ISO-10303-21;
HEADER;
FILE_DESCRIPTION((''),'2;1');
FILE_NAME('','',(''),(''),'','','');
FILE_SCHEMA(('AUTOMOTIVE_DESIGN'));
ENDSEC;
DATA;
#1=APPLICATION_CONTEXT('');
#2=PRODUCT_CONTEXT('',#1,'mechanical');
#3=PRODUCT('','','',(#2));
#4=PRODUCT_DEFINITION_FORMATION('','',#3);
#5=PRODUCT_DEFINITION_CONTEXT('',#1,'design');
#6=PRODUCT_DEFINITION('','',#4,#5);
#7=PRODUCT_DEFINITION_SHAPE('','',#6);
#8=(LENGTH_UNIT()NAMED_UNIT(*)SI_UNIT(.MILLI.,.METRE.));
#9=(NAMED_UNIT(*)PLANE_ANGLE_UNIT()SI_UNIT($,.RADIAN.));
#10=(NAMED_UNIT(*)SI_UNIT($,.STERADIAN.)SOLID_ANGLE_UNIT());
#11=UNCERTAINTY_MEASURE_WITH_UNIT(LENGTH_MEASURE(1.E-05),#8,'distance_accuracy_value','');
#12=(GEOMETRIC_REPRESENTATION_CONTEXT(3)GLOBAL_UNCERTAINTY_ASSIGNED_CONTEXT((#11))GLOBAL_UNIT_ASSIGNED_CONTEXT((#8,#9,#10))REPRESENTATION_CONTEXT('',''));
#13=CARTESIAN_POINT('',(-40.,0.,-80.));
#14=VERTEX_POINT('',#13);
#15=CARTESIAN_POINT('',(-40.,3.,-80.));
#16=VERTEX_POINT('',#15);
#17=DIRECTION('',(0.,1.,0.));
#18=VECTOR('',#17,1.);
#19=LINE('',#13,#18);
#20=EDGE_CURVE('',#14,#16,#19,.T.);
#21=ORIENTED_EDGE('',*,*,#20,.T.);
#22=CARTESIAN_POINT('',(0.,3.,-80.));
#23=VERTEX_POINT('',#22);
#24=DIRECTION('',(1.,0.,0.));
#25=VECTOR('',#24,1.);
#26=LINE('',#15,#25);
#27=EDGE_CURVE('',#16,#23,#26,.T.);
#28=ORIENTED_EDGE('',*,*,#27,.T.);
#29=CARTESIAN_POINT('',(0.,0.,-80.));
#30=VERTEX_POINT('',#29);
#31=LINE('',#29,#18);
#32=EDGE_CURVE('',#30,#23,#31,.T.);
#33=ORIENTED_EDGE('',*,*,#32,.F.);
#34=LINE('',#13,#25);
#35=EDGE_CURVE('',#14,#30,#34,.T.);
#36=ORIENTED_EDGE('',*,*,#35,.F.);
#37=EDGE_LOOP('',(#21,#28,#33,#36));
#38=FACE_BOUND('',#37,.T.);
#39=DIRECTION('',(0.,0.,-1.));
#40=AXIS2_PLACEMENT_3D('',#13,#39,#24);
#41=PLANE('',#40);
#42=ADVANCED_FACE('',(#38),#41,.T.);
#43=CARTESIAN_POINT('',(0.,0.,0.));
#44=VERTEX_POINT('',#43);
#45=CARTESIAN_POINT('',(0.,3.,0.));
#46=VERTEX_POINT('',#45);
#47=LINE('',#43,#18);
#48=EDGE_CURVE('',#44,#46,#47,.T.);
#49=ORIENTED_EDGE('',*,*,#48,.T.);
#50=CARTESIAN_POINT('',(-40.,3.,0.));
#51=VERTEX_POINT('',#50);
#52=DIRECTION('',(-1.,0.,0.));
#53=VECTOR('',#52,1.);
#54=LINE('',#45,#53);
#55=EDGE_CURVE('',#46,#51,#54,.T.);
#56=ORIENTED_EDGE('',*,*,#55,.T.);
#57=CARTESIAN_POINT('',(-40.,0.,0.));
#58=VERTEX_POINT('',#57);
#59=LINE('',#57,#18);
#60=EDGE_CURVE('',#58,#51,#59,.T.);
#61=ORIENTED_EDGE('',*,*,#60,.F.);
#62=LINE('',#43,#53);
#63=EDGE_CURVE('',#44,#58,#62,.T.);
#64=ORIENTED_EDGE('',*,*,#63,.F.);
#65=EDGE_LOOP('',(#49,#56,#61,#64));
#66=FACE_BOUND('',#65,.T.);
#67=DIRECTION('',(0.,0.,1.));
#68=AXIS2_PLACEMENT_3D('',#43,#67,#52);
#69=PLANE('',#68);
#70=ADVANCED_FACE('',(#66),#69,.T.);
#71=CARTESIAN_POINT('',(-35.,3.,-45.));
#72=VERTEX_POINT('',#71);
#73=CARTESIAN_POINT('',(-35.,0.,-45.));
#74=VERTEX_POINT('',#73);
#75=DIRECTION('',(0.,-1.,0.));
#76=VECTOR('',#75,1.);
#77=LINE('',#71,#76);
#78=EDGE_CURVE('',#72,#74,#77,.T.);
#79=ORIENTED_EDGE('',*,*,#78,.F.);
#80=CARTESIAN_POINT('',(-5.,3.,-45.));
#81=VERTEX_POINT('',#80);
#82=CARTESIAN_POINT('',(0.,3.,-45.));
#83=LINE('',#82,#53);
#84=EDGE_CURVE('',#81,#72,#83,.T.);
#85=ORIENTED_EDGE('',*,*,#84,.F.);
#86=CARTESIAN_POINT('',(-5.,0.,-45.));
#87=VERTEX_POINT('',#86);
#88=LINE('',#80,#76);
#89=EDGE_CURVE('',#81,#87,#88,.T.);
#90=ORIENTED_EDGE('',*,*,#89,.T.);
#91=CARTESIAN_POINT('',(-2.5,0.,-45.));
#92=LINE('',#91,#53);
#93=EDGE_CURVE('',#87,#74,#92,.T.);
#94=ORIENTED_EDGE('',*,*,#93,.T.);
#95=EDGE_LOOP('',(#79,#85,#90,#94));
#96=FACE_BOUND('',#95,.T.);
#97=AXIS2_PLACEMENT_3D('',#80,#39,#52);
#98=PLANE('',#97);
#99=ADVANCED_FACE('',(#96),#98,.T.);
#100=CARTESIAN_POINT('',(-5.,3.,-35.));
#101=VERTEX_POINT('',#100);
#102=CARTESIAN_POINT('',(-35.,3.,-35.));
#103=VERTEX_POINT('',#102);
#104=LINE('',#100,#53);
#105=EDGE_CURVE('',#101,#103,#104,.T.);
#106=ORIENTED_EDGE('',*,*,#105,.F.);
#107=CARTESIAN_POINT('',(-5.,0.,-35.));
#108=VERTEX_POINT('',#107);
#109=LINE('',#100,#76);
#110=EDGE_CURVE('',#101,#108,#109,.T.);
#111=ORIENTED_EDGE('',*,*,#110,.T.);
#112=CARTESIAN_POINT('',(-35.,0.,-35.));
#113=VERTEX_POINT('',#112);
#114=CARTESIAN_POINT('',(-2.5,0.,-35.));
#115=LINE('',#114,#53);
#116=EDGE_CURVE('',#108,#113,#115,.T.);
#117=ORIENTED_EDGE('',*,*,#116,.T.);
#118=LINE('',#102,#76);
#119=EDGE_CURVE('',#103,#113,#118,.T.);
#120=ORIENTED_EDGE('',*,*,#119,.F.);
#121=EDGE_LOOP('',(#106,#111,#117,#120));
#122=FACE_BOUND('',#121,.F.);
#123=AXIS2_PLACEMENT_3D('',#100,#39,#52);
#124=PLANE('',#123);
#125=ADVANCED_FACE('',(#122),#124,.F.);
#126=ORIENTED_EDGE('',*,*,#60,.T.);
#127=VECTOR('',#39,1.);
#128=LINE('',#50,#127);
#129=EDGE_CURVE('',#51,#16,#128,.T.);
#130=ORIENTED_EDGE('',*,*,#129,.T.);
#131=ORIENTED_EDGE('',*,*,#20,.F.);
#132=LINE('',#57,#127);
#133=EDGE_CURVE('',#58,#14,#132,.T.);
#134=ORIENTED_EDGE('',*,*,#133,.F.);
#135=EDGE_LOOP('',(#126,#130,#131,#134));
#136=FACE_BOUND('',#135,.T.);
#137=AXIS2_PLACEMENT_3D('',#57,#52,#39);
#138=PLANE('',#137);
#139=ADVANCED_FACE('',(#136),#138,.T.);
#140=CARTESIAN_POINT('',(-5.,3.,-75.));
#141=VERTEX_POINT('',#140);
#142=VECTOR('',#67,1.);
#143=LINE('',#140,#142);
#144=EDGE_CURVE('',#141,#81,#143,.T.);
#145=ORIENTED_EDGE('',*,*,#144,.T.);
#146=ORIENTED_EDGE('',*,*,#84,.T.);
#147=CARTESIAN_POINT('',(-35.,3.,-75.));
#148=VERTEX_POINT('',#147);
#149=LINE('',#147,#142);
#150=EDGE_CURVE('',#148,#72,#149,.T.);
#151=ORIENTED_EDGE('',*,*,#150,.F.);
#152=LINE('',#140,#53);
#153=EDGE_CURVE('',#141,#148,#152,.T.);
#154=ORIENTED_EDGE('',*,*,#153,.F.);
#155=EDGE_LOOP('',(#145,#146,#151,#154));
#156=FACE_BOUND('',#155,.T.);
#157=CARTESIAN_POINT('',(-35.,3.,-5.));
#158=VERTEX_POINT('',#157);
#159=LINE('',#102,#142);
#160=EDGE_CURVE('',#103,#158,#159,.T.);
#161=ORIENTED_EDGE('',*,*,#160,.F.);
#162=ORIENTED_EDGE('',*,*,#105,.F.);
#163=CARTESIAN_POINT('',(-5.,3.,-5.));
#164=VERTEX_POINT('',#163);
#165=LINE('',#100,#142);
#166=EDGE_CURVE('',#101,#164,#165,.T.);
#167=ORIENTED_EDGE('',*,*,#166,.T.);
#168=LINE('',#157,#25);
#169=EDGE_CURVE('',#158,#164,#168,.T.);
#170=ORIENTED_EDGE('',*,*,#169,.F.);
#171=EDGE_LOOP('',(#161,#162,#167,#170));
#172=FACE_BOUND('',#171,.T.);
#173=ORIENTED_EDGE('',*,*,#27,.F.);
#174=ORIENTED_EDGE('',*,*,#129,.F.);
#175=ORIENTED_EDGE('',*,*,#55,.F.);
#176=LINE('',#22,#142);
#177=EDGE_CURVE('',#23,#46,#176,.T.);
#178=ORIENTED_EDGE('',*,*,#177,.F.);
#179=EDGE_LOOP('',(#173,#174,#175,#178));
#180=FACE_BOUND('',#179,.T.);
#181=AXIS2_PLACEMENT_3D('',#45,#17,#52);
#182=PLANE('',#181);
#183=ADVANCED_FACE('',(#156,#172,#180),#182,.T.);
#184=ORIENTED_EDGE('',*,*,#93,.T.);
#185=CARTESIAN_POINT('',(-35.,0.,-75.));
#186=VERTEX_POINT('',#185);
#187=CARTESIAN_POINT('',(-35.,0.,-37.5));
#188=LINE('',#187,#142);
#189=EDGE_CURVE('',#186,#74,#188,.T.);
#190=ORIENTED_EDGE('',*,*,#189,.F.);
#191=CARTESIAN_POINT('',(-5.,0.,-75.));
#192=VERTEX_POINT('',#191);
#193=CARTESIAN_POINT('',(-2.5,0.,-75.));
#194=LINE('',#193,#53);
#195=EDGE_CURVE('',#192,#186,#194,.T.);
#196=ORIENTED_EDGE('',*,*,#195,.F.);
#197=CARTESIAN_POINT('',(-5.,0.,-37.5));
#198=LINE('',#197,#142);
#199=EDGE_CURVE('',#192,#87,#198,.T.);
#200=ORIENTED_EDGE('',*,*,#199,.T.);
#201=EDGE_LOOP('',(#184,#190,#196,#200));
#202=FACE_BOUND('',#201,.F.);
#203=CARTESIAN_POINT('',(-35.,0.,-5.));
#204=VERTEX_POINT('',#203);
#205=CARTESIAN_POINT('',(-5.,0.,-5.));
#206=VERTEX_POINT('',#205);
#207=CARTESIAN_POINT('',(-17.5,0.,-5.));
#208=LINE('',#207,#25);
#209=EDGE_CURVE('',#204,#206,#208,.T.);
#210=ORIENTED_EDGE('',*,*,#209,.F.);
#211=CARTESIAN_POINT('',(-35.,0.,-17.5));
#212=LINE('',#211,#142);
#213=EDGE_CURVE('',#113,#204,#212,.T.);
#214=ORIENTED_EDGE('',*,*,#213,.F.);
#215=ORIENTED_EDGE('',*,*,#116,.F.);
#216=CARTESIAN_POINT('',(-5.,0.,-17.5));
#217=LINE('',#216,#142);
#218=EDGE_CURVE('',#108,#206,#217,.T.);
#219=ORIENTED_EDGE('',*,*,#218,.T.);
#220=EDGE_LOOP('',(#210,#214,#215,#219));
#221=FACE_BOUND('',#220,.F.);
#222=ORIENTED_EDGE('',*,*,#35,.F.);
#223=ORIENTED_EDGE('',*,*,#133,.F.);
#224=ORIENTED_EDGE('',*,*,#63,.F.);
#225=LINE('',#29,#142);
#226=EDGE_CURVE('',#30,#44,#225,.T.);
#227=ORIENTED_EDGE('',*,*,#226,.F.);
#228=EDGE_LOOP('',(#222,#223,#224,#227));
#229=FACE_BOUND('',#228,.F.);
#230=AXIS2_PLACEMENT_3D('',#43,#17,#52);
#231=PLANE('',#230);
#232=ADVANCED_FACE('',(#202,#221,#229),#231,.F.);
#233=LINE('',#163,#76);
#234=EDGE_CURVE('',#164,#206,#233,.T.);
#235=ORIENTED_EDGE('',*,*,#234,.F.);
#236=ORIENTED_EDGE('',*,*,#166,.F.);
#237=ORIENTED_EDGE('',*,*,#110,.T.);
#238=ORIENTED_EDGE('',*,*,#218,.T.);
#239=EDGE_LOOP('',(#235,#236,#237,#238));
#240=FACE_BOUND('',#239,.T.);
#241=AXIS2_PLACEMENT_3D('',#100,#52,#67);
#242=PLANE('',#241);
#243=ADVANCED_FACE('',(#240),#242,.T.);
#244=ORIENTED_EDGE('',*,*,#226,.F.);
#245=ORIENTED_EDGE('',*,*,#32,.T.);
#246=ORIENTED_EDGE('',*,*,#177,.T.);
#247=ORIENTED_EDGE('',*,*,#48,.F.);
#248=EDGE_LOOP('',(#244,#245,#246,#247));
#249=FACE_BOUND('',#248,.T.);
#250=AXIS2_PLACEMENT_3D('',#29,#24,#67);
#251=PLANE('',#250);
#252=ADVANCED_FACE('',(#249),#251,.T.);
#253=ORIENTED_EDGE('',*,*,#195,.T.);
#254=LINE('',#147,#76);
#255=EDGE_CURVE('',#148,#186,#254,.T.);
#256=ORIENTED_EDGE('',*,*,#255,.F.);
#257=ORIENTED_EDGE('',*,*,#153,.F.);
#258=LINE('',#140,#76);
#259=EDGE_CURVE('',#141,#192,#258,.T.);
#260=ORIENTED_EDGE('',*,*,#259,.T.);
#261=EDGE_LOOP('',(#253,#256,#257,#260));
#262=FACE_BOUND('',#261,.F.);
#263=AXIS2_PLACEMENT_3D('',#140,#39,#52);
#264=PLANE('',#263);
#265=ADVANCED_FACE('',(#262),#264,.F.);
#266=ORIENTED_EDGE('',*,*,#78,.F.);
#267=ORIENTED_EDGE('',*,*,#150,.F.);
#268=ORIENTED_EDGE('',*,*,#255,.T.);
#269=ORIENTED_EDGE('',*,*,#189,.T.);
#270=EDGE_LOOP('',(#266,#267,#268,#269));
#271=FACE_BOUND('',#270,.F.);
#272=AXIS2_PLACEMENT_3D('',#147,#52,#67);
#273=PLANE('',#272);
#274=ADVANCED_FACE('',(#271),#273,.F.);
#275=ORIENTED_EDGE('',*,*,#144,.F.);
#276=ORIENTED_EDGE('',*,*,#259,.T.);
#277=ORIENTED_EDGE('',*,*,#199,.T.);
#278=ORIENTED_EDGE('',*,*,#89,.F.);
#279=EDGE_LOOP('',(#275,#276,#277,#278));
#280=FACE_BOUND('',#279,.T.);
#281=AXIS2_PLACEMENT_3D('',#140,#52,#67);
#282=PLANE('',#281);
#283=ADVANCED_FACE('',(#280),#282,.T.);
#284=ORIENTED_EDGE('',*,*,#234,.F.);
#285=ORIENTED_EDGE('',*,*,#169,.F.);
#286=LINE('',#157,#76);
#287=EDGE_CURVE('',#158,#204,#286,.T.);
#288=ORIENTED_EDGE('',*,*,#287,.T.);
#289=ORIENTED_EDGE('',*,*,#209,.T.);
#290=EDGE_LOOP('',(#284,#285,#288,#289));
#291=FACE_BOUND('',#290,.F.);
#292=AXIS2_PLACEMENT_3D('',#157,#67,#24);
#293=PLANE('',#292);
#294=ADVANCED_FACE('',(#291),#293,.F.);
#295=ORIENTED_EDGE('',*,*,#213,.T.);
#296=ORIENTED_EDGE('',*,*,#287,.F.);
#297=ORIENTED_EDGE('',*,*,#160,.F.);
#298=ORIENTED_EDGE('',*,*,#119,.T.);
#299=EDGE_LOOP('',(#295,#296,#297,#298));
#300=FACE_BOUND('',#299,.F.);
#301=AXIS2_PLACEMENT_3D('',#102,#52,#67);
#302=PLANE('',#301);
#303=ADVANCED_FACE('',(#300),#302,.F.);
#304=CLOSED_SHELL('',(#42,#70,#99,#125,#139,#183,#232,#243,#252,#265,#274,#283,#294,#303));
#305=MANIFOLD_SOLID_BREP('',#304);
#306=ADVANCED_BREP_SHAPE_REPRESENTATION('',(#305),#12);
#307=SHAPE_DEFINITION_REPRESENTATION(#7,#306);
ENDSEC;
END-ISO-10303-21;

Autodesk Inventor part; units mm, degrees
ref_plane "YZ Plane" through (0, 0, 0) normal (1, 0, 0) x (0, 1, 0)
ref_plane "XZ Plane" through (0, 0, 0) normal (0, 1, 0) x (-1, 0, 0)
ref_plane "XY Plane" through (0, 0, 0) normal (0, 0, 1) x (1, 0, 0)
sketch "Sketch1" plane through (0, 0, 0) normal (0, 1, 0) x (-1, 0, 0)
  line L0 (0, 0) -> (40, 0)
  line L1 (40, 0) -> (40, -80)
  line L2 (40, -80) -> (0, -80)
  line L3 (0, -80) -> (0, 0)
  dimension "d0" = 40
  dimension "d1" = 80
extrude "Extrusion1" add sketch "Sketch1" along normal blind 3
sketch "Sketch3" plane through (0, 3, 0) normal (0, 1, 0) x (1, 0, 0)
  line L0 (-40, 0) -> (0, 0) projected
  line L1 (-40, 0) -> (-40, 5)
  line L2 (-35, 5) -> (-5, 5)
  line L3 (0, 5) -> (0, 35)
  line L4 (0, 0) -> (0, 80) projected
  line L5 (-5, 35) -> (-35, 35)
  line L6 (-40, 80) -> (-40, 0) projected
  line L7 (-40, 35) -> (-40, 45)
  line L8 (0, 45) -> (-35, 45)
  line L9 (0, 45) -> (0, 75)
  line L10 (-5, 75) -> (-35, 75)
  line L11 (0, 80) -> (-40, 80) projected
  line L12 (-40, 80) -> (-35, 80)
  line L13 (0, 80) -> (-5, 80)
  line L14 (-5, 75) -> (-5, 45)
  line L15 (-5, 35) -> (-5, 5)
  line L16 (-35, 75) -> (-35, 45)
  line L17 (-35, 35) -> (-35, 5)
  dimension "d4" = 5
  dimension "d5" = 30
  dimension "d6" = 10
  dimension "d7" = 30
  dimension "d8" = 5
  dimension "d9" = 5
extrude "Extrusion2" cut sketch "Sketch3" against normal through all contours L8 L16 L10 L14 | L17 L5 L15 L2
properties part number "ClawExtender"
